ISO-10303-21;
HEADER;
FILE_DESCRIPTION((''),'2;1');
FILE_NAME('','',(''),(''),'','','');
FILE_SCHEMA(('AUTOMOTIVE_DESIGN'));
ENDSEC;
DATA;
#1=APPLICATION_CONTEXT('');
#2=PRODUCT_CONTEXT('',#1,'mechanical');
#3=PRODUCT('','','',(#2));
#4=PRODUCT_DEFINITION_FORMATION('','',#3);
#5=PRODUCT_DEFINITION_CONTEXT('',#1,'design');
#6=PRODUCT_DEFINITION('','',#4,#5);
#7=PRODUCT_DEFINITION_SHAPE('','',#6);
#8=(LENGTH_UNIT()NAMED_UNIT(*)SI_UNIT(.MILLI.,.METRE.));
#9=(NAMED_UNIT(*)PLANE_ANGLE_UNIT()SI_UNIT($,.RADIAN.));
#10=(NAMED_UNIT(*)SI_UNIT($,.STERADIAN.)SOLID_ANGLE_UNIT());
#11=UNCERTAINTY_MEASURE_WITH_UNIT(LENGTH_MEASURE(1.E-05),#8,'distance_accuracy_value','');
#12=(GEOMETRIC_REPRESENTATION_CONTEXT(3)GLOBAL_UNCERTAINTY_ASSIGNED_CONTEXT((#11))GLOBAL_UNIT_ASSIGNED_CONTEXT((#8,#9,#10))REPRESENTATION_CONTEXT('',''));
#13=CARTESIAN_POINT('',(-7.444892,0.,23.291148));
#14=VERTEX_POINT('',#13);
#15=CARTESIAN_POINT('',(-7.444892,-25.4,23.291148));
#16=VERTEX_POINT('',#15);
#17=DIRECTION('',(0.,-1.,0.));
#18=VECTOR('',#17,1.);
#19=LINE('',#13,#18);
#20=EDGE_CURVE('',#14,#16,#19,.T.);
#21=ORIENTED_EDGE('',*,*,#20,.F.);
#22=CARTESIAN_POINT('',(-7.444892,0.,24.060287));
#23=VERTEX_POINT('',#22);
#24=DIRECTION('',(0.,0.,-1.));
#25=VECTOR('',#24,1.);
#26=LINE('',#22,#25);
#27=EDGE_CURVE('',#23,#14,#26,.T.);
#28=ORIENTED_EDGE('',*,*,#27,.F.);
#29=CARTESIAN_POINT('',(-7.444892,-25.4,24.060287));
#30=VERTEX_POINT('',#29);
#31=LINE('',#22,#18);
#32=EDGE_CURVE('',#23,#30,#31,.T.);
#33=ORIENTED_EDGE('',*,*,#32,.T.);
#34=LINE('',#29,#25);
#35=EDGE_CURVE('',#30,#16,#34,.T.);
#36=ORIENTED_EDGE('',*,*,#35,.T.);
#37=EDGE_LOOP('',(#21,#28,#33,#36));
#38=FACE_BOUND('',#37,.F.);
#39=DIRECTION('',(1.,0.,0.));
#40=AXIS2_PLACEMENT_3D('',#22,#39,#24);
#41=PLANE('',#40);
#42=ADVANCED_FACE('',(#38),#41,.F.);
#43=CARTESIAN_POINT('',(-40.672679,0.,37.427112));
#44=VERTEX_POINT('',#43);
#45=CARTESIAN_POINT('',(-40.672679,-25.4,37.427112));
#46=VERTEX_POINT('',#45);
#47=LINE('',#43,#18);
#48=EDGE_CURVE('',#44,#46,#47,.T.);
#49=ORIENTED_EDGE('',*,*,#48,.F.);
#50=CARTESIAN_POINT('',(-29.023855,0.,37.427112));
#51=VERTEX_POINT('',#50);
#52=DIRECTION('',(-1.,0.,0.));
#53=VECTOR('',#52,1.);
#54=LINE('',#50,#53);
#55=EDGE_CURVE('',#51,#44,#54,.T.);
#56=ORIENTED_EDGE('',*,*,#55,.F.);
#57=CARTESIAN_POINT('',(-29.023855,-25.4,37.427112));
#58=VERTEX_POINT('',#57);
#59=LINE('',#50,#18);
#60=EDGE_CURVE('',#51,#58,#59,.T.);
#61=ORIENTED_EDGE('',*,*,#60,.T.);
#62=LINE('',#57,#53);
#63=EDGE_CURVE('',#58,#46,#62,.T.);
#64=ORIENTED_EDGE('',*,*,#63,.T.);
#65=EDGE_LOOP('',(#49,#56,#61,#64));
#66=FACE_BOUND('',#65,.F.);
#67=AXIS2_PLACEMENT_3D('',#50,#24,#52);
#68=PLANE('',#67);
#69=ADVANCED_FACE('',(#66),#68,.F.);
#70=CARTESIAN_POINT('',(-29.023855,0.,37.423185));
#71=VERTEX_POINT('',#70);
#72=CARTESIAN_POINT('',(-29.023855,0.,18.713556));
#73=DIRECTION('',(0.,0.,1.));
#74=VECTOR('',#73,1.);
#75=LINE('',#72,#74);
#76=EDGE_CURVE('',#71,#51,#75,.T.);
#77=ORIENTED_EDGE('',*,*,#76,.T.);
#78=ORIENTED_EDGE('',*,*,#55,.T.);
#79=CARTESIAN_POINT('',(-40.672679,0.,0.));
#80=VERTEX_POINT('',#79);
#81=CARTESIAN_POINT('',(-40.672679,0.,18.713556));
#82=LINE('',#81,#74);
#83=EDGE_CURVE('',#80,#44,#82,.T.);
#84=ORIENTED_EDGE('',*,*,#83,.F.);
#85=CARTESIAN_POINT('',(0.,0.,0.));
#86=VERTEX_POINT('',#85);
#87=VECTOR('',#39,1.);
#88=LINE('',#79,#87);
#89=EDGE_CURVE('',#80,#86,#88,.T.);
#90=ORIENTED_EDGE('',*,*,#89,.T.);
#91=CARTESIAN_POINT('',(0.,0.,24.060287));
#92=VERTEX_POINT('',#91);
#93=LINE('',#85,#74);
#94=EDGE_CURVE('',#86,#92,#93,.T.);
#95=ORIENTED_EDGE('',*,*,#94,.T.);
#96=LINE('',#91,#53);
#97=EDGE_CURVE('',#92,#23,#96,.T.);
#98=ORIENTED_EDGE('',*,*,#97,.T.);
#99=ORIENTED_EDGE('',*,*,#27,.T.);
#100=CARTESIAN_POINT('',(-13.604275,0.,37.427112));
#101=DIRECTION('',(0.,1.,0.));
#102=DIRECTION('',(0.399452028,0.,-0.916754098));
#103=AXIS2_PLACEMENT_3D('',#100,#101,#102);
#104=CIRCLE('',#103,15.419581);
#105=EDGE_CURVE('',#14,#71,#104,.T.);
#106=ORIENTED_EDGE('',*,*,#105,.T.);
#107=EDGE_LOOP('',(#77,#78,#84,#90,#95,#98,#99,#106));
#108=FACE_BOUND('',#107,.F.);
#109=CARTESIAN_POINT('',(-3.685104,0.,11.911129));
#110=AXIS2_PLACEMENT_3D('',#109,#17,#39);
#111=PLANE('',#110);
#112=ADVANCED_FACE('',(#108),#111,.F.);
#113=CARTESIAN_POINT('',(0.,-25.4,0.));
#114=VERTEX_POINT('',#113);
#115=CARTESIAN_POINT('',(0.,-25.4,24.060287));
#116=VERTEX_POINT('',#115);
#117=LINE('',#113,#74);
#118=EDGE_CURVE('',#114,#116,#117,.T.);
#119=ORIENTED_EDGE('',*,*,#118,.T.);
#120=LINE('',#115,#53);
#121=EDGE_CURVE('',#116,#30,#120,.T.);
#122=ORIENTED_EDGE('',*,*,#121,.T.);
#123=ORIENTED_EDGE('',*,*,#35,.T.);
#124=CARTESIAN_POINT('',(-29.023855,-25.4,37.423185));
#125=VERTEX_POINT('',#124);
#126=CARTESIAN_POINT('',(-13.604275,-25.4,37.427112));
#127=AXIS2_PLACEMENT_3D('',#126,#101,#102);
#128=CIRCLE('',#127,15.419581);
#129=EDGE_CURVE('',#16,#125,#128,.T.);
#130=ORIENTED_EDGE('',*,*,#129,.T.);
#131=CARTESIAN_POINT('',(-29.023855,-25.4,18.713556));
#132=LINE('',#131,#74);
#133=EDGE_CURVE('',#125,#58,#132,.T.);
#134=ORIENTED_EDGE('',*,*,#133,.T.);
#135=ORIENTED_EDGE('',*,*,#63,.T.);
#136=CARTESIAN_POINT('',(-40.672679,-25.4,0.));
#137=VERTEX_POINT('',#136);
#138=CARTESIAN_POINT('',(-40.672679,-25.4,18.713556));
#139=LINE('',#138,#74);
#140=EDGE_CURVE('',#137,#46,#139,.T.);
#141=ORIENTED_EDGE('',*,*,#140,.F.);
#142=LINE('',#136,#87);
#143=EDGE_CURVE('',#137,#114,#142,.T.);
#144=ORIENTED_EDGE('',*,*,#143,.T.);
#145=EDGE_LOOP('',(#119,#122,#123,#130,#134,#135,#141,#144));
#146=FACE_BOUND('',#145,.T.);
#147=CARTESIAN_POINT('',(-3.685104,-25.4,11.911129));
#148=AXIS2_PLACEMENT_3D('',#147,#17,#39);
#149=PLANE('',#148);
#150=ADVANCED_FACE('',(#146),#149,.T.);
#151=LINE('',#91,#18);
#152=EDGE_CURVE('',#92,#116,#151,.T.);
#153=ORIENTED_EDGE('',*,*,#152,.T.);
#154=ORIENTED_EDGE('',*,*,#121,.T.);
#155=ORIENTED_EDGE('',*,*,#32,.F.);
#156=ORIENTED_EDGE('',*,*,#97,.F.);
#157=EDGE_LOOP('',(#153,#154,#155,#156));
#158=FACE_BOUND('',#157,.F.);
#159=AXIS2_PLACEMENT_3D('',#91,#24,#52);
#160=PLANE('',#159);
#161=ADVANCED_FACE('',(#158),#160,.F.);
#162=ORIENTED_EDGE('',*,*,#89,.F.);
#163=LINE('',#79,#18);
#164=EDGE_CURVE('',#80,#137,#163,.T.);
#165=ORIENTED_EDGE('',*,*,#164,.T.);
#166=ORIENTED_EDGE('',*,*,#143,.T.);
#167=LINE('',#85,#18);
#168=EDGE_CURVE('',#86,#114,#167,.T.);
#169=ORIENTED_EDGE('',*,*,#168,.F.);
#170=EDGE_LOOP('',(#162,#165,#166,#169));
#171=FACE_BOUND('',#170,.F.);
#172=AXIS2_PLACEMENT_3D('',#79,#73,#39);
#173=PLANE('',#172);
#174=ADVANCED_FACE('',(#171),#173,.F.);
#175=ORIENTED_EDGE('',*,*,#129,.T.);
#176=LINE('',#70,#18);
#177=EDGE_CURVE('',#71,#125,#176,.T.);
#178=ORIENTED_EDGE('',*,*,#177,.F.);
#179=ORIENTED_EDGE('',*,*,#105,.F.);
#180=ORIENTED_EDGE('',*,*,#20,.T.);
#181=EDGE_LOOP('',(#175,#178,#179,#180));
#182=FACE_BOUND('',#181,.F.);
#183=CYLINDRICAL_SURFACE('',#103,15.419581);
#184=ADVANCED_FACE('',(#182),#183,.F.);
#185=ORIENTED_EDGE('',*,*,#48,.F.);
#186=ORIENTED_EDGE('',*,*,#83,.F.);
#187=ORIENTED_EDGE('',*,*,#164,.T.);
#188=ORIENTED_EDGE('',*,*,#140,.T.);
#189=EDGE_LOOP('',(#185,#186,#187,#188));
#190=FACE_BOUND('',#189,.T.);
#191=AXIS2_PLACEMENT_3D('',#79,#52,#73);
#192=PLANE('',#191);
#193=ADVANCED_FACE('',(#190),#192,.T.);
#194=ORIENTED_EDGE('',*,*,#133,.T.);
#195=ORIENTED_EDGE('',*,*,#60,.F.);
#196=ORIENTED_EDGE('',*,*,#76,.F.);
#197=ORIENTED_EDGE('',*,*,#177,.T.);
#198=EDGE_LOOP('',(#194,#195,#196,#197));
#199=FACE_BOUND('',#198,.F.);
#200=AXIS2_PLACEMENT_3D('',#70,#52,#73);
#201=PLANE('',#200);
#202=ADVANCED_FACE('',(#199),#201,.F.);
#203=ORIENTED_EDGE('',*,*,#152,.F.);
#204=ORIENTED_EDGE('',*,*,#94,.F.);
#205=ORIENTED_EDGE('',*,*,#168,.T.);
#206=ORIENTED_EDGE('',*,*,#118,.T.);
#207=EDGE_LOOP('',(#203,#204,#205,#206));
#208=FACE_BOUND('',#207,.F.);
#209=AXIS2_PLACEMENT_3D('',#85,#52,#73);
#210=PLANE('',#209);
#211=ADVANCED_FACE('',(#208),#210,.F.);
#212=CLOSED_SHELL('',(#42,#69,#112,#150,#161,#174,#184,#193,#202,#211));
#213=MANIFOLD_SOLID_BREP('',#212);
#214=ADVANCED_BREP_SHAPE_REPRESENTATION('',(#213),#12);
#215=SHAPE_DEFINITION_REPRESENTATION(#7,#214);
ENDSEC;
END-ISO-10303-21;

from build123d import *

# Parameters (mm, degrees)
F0_W     = 11.648823
F0_H     = 37.427112
F1_DEPTH = 25.4


with BuildPart() as f1:
    # F0 (on Front) → F1 (new body)
    with BuildSketch(Plane.XZ):
        with BuildLine():
            Line((-5.917178, 0), (0, 0))
            Line((0, 0), (0, 24.060287))
            Line((0, 24.060287), (-5.917178, 24.060287))
            ThreePointArc((-5.917178, 24.060287), (-6.670362, 23.654518), (-7.444892, 23.291148))
            Line((-7.444892, 23.291148), (-7.444892, 0))
            Line((-7.444892, 0), (-5.917178, 0))
        make_face()
        with BuildLine():
            ThreePointArc((-7.444892, 23.291148), (-6.670362, 23.654518), (-5.917178, 24.060287))
            Line((-5.917178, 24.060287), (-7.444892, 24.060287))
            Line((-7.444892, 24.060287), (-7.444892, 23.291148))
        make_face()
        with BuildLine():
            Line((-27.114214, 0), (-7.444892, 0))
            Line((-7.444892, 0), (-7.444892, 23.291148))
            ThreePointArc((-7.444892, 23.291148), (-22.053783, 24.52869), (-29.023856, 37.427112))
            Line((-29.023856, 37.427112), (-29.023856, 0))
            Line((-29.023856, 0), (-27.114214, 0))
        make_face()
        with Locations((-34.848267, 18.713556)):
            Rectangle(F0_W, F0_H)
    extrude(amount=F1_DEPTH)


solid = f1.part
